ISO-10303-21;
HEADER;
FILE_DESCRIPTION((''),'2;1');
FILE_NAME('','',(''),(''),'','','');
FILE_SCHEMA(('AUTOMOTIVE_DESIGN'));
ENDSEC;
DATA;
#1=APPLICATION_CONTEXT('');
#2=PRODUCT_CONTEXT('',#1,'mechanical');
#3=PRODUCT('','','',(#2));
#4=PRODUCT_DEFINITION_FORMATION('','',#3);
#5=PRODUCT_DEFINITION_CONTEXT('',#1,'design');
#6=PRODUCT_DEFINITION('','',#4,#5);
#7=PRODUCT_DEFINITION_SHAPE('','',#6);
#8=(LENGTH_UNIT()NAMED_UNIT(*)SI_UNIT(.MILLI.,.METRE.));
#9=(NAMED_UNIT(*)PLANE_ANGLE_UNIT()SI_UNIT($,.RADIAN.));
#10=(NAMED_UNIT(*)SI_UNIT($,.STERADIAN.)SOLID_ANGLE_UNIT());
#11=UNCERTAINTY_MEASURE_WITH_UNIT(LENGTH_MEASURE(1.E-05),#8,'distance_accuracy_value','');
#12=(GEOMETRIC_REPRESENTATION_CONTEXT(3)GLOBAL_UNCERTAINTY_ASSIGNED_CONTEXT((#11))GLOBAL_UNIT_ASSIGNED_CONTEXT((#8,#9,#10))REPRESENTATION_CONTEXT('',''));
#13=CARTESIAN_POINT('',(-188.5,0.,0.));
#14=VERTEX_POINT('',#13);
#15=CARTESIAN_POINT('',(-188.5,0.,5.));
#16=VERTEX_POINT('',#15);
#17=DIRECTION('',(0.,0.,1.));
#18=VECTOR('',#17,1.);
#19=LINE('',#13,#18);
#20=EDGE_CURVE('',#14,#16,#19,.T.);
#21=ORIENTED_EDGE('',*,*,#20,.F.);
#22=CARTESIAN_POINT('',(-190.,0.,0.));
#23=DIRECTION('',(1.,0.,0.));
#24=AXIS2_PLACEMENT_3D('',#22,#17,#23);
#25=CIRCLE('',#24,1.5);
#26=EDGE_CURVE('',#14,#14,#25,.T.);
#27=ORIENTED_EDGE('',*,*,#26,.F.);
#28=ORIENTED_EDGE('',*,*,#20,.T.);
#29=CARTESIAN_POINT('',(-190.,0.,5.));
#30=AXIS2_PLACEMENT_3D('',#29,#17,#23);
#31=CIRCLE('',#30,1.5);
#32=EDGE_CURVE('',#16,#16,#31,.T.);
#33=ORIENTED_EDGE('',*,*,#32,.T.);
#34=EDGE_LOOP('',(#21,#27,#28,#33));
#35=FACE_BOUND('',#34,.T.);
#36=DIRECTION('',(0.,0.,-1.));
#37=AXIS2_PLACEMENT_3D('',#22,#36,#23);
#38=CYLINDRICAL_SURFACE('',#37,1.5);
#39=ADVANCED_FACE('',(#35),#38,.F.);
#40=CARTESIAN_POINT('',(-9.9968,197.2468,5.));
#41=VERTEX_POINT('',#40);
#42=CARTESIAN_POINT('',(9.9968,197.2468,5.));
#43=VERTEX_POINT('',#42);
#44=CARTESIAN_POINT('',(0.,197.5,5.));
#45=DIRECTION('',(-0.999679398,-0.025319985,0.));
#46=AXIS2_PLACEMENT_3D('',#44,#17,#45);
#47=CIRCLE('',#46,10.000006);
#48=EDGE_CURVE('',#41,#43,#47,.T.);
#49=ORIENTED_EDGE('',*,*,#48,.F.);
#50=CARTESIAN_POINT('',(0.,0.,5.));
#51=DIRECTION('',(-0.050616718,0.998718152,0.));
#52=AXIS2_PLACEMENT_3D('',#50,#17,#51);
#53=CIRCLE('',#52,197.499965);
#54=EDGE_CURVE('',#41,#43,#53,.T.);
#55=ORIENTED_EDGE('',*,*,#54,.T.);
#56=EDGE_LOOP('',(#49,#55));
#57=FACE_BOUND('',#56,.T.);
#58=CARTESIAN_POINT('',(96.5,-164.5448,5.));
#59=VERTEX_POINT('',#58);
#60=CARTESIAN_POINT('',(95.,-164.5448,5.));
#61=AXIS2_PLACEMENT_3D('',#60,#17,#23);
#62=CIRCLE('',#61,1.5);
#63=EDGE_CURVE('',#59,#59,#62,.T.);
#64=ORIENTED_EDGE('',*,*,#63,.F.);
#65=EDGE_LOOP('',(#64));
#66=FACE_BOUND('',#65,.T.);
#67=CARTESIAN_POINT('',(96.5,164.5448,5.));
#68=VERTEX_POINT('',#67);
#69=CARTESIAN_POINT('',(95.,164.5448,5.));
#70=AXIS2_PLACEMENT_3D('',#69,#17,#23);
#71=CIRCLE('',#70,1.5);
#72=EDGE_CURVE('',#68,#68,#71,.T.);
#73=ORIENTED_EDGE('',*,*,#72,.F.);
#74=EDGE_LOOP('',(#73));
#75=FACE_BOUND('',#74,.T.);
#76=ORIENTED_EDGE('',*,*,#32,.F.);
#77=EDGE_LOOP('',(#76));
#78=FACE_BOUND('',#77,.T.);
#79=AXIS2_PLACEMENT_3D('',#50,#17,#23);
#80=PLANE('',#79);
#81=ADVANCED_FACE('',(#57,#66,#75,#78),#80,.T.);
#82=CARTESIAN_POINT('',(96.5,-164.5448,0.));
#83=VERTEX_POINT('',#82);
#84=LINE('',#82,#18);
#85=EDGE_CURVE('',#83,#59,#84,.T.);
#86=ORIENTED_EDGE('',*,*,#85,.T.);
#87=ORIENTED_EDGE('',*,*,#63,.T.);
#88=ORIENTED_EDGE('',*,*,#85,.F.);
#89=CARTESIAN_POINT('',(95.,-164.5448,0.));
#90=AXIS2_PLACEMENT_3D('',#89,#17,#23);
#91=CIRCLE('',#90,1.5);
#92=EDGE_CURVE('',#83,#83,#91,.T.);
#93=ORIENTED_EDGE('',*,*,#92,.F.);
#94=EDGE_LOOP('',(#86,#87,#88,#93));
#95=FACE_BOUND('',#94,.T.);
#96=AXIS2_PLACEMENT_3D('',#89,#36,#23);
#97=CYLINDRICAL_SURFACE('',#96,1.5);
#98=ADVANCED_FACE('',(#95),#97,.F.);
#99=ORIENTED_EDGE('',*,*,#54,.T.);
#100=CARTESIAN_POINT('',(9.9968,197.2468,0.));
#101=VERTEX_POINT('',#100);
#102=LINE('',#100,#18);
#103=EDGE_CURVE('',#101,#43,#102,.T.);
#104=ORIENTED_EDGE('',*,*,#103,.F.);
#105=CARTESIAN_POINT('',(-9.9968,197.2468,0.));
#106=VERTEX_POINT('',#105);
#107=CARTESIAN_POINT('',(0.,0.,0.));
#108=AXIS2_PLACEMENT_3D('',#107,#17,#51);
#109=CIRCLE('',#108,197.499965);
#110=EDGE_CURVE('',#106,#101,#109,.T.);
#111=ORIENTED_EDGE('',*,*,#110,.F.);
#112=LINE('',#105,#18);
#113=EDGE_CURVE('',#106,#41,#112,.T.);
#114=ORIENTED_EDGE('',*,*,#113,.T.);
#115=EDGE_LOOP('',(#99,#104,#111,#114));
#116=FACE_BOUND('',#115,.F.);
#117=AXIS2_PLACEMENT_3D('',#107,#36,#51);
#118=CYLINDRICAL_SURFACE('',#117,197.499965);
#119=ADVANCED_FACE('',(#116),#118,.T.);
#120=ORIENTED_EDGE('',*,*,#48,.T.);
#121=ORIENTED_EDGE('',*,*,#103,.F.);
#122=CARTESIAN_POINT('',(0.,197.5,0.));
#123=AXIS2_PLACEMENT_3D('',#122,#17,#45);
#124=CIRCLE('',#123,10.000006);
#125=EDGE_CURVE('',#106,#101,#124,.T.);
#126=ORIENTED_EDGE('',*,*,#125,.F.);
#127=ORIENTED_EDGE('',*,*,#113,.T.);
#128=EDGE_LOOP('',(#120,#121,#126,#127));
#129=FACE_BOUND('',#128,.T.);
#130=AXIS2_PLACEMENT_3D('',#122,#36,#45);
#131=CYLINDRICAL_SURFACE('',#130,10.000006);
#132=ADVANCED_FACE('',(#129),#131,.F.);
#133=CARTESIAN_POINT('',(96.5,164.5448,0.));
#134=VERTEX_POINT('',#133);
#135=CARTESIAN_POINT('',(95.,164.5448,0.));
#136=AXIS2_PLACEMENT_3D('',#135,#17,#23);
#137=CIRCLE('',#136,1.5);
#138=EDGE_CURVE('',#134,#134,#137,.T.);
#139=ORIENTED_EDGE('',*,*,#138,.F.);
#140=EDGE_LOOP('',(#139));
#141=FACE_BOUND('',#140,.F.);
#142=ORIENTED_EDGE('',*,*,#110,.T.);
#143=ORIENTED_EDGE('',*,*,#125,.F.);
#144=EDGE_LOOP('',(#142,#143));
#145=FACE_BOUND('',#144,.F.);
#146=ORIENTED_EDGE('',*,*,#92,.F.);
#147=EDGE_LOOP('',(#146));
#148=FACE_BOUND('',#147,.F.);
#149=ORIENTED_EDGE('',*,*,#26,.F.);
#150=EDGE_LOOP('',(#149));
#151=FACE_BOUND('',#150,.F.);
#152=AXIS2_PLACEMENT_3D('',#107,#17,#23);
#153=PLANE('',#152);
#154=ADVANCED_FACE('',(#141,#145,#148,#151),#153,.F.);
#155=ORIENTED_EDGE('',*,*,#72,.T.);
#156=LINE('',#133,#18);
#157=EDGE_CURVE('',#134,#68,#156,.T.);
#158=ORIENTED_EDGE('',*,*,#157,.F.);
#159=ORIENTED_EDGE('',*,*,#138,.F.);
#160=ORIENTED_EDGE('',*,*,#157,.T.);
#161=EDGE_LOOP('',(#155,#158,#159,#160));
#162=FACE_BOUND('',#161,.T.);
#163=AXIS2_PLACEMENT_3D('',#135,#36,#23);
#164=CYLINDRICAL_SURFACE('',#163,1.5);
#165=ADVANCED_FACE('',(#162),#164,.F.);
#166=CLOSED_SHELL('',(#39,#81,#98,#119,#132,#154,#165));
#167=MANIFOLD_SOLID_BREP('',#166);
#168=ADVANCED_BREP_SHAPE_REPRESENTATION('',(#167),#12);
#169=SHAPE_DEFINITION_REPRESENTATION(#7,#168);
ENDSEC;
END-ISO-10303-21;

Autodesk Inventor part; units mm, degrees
ref_plane "YZ Plane" through (0, 0, 0) normal (1, 0, 0) x (0, 1, 0)
ref_plane "XZ Plane" through (0, 0, 0) normal (0, 1, 0) x (-1, 0, 0)
ref_plane "XY Plane" through (0, 0, 0) normal (0, 0, 1) x (1, 0, 0)
sketch "Sketch1" plane through (0, 0, 0) normal (0, 0, 1) x (1, 0, 0)
  arc A0 (-9.9968, 197.2468) -> (9.9968, 197.2468) centre (0, 0) ccw
  arc A1 (-9.9968, 197.2468) -> (9.9968, 197.2468) centre (0, 197.5) ccw
  line L0 (0, 0) -> (197.5, 0) construction
  circle A2 centre (95, 164.5448) radius 1.5
  circle A3 centre (-190, 0) radius 1.5
  circle A4 centre (95, -164.5448) radius 1.5
  dimension "d0" = 395
  dimension "d1" = 20
  dimension "d7" = 3
  dimension "d10" = 360
extrude "Extrusion1" add sketch "Sketch1" along normal blind 5
properties part number "Nap"
